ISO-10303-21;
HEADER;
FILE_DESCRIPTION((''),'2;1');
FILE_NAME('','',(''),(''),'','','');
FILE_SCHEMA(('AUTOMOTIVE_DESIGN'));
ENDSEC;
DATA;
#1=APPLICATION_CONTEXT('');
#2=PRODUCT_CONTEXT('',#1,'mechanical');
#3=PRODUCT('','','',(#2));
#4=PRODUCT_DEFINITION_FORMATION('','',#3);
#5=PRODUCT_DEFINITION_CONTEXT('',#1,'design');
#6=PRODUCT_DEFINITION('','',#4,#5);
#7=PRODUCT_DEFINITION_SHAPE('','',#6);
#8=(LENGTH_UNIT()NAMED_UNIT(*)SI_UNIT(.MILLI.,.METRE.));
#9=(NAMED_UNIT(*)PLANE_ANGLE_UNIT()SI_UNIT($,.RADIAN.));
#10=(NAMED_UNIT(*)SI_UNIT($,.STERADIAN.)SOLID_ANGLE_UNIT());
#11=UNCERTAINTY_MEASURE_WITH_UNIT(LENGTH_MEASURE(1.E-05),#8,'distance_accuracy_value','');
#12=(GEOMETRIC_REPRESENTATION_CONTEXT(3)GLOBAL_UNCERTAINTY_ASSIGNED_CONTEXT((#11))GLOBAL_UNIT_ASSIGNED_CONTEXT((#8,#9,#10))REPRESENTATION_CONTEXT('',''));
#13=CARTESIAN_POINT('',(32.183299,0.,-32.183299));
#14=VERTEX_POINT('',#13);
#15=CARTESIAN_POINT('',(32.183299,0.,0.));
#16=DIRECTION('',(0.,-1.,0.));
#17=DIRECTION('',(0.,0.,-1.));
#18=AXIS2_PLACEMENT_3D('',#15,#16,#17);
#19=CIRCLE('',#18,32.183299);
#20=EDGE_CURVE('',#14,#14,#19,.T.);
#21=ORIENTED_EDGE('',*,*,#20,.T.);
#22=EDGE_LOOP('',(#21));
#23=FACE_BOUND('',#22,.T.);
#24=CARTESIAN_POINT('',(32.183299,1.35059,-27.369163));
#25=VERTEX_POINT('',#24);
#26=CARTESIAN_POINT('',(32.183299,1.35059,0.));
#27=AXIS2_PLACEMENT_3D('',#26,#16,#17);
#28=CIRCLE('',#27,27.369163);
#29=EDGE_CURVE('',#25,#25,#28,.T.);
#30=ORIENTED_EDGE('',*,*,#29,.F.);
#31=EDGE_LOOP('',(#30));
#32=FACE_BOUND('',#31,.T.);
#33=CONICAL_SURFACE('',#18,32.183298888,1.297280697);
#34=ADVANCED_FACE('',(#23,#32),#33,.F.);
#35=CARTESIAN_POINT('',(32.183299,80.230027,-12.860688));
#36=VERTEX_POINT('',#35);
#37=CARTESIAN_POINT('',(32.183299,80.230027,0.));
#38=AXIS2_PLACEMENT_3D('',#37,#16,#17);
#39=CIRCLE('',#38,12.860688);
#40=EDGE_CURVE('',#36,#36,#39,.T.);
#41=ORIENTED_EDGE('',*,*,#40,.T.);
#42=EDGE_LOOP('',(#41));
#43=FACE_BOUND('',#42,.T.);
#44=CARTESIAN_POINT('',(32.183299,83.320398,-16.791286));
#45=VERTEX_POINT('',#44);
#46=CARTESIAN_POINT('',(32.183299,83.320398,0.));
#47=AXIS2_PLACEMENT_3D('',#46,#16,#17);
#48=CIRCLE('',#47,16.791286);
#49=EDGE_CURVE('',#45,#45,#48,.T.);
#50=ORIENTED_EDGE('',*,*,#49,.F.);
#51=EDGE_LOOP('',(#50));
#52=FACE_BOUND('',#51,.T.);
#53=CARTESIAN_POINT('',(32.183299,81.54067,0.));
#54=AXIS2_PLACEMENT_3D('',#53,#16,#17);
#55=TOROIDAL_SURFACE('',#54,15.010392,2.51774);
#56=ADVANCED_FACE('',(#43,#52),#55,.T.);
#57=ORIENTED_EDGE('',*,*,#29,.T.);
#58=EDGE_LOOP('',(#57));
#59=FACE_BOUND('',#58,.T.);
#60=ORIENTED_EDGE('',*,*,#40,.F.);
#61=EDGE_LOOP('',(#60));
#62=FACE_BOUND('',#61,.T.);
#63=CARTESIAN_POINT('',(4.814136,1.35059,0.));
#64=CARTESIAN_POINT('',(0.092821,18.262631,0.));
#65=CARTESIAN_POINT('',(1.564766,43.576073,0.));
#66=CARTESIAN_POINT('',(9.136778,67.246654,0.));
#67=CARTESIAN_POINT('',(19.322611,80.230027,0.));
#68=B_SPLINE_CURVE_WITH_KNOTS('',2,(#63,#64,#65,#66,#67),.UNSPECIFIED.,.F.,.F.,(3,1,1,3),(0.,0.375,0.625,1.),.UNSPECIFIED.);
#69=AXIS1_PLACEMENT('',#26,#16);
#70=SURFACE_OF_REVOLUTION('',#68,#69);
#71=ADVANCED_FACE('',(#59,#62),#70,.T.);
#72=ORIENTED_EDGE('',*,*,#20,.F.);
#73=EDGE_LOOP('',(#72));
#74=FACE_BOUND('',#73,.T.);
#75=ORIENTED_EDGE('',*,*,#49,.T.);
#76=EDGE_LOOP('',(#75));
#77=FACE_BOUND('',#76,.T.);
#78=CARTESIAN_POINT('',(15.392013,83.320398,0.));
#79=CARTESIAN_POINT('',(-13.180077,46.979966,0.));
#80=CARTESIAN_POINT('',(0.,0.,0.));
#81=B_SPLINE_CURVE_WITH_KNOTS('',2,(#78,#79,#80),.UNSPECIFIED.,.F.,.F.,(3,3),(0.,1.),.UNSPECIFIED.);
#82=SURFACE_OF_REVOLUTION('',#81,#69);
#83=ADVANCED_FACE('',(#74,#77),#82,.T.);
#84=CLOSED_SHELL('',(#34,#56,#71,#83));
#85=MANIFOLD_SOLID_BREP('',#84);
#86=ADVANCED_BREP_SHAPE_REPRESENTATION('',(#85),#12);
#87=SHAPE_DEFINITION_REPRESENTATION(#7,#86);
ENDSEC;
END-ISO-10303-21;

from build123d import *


with BuildPart() as part:
    # Sketch2 → Revolve5 (revolve)
    with BuildSketch(Plane.XY, mode=Mode.PRIVATE) as revolve5_sk:
        with BuildLine():
            Line((0, 0), (4.814136067, 1.350590215))
            add(Edge.make_bspline(
                [(4.814136067, 1.350590215), (0.092820682, 18.262630863), (1.564765771, 43.576073139), (9.136778367, 67.246654091), (19.322611282, 80.230027244)],
                knots=[0, 0, 0, 0.375, 0.625, 1, 1, 1], degree=2))
            ThreePointArc((19.322611282, 80.230027244), (18.729056793, 83.519915496), (15.392012511, 83.320398306))
            add(Edge.make_bspline(
                [(0, 0), (-13.180076775, 46.979966437), (15.392012511, 83.320398306)],
                knots=[0, 0, 0, 1, 1, 1], degree=2))
        make_face()
    revolve(revolve5_sk.sketch.rotate(Axis((32.183298888, 1.350590215, 0), (0, 1, 0)), 270), axis=Axis((32.183298888, 1.350590215, 0), (0, 1, 0)))


solid = part.part
